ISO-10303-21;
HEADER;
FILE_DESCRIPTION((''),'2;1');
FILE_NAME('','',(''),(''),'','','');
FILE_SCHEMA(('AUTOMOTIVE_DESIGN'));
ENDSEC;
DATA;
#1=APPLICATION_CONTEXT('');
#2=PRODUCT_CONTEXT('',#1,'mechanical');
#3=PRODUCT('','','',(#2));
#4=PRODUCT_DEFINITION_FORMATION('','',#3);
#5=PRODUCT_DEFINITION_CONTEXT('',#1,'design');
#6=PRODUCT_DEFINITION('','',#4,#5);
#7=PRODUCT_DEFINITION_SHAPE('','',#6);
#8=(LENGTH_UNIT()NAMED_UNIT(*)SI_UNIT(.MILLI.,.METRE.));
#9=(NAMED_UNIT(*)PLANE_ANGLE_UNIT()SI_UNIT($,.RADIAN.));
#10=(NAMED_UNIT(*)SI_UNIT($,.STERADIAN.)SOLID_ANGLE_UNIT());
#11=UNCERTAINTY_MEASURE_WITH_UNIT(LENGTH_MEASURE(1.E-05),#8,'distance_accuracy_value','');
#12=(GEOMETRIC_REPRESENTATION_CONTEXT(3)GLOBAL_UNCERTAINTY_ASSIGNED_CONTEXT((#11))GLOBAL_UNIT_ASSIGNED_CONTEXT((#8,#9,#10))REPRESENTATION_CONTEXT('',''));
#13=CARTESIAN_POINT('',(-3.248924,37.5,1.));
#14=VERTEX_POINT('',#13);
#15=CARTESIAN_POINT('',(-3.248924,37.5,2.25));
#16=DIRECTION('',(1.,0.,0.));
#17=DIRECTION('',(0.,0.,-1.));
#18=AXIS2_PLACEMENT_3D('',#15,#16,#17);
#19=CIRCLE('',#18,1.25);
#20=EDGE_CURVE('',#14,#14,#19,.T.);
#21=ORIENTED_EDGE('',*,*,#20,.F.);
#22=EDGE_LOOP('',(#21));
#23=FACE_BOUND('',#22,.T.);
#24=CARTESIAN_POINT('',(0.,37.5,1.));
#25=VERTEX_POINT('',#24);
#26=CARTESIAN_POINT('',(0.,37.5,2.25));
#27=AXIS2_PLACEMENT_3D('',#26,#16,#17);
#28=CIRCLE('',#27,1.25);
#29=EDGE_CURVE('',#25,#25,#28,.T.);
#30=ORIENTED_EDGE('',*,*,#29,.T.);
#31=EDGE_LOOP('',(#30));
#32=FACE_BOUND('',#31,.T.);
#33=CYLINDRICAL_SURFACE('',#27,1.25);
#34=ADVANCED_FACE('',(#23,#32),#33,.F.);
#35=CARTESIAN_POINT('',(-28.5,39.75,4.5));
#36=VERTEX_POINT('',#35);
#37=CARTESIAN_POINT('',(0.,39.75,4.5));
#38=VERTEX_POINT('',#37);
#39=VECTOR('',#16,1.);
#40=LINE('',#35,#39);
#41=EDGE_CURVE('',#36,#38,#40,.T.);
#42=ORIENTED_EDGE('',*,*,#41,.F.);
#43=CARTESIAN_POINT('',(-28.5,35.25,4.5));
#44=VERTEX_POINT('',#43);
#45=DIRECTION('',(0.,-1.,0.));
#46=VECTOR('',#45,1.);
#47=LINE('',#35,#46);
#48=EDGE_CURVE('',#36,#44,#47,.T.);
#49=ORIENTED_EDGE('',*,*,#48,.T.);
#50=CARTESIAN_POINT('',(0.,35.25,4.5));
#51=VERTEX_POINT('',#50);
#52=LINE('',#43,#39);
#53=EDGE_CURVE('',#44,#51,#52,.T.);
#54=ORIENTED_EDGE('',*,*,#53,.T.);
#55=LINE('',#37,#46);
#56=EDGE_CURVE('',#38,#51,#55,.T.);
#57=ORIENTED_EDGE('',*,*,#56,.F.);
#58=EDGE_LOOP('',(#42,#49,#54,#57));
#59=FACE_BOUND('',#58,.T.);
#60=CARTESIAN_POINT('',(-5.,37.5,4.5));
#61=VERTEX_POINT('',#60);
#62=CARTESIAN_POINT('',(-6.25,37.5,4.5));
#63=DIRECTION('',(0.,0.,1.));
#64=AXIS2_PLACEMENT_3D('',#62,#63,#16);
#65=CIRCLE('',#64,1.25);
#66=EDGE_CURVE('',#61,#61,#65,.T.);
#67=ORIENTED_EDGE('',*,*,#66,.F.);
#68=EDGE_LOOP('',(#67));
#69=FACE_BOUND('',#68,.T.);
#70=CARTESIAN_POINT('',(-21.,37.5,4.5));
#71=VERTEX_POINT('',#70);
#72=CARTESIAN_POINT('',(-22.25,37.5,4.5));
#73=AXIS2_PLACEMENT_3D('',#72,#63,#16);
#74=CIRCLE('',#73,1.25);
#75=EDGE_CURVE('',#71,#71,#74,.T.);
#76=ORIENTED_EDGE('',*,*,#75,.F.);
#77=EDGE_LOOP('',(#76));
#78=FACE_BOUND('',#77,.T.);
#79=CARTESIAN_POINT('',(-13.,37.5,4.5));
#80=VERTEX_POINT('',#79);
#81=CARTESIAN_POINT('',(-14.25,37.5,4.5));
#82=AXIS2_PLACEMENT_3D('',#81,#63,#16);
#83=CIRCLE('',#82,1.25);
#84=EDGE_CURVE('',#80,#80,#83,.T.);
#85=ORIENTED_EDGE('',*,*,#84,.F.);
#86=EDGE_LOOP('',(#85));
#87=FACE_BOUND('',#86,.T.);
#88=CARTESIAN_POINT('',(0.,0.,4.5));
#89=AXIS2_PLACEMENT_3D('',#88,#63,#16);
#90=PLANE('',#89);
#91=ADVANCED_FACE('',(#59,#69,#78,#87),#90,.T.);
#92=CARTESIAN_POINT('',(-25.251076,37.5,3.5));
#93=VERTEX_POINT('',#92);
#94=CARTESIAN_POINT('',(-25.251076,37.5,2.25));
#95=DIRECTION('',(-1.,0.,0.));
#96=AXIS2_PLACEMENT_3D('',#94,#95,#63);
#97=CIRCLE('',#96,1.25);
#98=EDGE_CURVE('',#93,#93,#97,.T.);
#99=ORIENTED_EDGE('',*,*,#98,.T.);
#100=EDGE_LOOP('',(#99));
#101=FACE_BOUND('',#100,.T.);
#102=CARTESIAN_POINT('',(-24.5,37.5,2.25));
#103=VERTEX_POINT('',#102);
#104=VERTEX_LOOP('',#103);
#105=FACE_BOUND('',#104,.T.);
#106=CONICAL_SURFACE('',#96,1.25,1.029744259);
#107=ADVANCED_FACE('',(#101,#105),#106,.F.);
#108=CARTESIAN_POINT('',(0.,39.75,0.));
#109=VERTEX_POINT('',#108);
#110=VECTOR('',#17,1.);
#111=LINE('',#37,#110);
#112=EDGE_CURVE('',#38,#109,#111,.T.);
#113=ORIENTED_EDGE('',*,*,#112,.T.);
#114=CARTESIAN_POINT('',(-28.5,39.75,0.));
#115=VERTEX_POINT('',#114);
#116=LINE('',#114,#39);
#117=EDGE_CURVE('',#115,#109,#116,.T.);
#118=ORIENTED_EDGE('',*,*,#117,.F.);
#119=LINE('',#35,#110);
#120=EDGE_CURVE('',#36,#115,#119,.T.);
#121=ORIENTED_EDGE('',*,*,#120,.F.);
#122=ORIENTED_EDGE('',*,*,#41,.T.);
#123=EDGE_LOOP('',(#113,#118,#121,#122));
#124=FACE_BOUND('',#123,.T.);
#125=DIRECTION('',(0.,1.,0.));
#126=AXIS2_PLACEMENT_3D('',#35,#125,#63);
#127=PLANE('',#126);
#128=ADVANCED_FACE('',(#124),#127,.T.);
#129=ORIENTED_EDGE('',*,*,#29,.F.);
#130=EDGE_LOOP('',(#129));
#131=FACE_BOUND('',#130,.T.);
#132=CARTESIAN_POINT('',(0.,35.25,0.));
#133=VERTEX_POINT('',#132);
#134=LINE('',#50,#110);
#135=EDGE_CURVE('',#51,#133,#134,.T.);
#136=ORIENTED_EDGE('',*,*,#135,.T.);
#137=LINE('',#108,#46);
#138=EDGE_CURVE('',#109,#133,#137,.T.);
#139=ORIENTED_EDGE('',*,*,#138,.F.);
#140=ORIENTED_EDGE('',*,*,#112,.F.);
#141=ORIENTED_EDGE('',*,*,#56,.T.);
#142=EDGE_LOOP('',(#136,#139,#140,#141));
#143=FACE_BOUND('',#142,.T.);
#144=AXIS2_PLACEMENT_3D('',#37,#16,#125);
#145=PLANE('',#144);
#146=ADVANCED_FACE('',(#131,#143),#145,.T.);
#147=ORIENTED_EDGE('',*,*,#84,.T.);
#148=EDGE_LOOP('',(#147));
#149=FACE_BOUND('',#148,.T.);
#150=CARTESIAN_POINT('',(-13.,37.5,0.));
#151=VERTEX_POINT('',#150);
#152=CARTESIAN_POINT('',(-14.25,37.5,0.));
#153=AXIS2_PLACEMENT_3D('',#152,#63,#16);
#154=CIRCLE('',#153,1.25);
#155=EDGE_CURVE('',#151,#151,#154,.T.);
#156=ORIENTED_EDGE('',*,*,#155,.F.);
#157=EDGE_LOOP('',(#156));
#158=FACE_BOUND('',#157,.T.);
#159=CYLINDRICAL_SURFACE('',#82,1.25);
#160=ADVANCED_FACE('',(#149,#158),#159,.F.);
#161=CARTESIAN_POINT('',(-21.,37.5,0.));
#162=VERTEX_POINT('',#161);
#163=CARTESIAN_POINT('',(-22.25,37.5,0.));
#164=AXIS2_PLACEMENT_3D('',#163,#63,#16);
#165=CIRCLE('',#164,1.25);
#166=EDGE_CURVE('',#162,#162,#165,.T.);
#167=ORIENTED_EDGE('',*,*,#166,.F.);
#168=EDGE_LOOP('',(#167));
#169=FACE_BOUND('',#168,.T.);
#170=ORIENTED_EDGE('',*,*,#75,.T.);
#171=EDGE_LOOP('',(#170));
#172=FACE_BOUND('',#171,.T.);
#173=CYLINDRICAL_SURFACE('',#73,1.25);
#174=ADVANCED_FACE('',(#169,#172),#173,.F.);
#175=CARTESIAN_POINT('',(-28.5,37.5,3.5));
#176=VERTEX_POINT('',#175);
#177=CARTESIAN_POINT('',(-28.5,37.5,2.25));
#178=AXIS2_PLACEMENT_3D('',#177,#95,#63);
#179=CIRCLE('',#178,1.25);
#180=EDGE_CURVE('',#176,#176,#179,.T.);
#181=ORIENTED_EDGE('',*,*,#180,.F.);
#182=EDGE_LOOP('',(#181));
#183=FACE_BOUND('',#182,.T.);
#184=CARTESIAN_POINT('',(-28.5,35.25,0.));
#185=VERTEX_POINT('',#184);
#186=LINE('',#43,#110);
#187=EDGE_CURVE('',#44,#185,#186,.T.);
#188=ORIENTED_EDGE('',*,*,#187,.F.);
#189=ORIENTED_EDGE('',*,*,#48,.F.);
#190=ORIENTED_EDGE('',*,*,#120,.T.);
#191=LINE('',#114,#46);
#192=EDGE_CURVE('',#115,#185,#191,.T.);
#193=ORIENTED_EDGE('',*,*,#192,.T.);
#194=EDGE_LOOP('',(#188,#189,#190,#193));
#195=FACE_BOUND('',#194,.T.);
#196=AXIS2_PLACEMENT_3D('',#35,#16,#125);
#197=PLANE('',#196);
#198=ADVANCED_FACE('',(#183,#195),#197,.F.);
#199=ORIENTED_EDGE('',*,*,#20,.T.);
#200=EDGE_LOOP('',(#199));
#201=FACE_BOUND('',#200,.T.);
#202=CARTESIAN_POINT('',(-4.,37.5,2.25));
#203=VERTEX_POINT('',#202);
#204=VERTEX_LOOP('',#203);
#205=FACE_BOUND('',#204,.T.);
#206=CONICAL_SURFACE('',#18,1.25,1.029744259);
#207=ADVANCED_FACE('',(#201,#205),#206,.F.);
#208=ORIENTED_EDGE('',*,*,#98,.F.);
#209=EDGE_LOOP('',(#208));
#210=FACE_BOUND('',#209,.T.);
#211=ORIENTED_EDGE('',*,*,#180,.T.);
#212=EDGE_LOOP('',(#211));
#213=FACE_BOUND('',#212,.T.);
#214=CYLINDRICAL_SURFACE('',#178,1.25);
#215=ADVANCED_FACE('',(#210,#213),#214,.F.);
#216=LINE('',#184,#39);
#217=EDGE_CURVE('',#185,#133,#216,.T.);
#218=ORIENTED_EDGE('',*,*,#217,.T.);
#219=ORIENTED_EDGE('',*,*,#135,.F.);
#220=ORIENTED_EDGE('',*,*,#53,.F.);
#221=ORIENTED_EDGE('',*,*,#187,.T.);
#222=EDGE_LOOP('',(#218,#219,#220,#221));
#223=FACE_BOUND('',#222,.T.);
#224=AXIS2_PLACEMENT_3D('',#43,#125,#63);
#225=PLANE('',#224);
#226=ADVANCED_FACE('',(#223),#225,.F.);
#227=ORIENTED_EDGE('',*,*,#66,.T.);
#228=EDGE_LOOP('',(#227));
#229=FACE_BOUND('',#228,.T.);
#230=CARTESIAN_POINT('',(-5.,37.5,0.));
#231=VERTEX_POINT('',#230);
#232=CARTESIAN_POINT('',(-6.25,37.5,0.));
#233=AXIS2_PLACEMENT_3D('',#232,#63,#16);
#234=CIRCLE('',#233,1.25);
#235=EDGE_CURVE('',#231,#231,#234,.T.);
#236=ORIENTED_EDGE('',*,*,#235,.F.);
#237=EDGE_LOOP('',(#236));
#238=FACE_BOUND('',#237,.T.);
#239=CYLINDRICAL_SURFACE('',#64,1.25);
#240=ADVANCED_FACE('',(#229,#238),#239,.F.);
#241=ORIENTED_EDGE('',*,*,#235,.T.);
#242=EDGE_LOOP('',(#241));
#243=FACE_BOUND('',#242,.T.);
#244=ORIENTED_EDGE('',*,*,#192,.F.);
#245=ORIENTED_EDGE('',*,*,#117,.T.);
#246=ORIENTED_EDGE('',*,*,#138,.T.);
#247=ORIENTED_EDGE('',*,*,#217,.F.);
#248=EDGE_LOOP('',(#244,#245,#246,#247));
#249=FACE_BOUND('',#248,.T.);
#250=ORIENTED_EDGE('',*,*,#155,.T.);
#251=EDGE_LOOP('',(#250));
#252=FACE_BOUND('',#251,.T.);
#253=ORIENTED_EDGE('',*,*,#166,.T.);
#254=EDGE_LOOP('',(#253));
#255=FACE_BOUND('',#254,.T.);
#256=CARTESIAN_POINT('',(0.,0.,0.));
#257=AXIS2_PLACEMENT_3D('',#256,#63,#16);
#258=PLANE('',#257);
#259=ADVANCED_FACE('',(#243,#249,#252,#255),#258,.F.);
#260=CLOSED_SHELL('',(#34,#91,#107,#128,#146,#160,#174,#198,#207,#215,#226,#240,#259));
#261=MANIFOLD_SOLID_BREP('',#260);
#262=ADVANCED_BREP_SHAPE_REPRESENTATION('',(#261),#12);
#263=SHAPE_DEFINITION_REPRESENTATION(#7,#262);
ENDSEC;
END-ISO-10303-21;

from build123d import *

# Parameters (mm, degrees)
SKETCH1_W                      = 28.5
SKETCH1_H                      = 4.5
BOSS_EXTRUDE1_DEPTH            = 4.5
SIDE_SHAFT_HOLES_M3_AT_2_COUNT = 2
SIDE_SHAFT_HOLES_M3_AT_2_PITCH = 47.562875198
M3X0_5_TAPPED_HOLE3_D          = 2.5


with BuildPart() as part:
    # Sketch1 → Boss-Extrude1 (new body)
    with BuildSketch(Plane.XY):
        with Locations((-14.25, 37.5)):
            Rectangle(SKETCH1_W, SKETCH1_H)
    extrude(amount=BOSS_EXTRUDE1_DEPTH)

    # Sketch2 → Side Shaft Holes (M3) (revolve, cut)
    with BuildSketch(Plane(origin=(0, 37.5, 2.25), x_dir=(0, 0, -1), z_dir=(0, 1, 0))):
        Polygon((0, 0), (0, 4), (1.25, 3.248924226), (1.25, 0), align=None)
    side_shaft_holes_m3 = revolve(axis=Axis((6.35, 37.5, 2.25), (-1, 0, 0)), mode=Mode.SUBTRACT)

    # Side Shaft Holes (M3) at 2: Side Shaft Holes (M3) ×2
    with Locations(*[(0, 0, -i * SIDE_SHAFT_HOLES_M3_AT_2_PITCH) for i in range(1, SIDE_SHAFT_HOLES_M3_AT_2_COUNT)]):
        add(side_shaft_holes_m3, mode=Mode.SUBTRACT)

    # Shaft Hole Mirror: Side Shaft Holes (M3) across plane
    add(side_shaft_holes_m3.mirror(Plane.ZY.offset(14.25)), mode=Mode.SUBTRACT)

    # Shaft Hole Mirror copy 1 sketch → Shaft Hole Mirror copy 1 (revolve, cut)
    with BuildSketch(Plane(origin=(-28.5, 37.5, -45.312875198), x_dir=(0, 0, -1), z_dir=(0, 1, 0))):
        Polygon((0, 0), (0, -4), (1.25, -3.248924226), (1.25, 0), align=None)
    revolve(axis=Axis((-34.85, 37.5, -45.312875198), (-1, 0, 0)), mode=Mode.SUBTRACT)

    # M3x0.5 Tapped Hole3 (through all)
    with Locations(Plane.XY.offset(4.5)):
        with Locations((-6.25, 37.5), (-14.25, 37.5), (-22.25, 37.5)):
            Hole(M3X0_5_TAPPED_HOLE3_D / 2)


solid = part.part
